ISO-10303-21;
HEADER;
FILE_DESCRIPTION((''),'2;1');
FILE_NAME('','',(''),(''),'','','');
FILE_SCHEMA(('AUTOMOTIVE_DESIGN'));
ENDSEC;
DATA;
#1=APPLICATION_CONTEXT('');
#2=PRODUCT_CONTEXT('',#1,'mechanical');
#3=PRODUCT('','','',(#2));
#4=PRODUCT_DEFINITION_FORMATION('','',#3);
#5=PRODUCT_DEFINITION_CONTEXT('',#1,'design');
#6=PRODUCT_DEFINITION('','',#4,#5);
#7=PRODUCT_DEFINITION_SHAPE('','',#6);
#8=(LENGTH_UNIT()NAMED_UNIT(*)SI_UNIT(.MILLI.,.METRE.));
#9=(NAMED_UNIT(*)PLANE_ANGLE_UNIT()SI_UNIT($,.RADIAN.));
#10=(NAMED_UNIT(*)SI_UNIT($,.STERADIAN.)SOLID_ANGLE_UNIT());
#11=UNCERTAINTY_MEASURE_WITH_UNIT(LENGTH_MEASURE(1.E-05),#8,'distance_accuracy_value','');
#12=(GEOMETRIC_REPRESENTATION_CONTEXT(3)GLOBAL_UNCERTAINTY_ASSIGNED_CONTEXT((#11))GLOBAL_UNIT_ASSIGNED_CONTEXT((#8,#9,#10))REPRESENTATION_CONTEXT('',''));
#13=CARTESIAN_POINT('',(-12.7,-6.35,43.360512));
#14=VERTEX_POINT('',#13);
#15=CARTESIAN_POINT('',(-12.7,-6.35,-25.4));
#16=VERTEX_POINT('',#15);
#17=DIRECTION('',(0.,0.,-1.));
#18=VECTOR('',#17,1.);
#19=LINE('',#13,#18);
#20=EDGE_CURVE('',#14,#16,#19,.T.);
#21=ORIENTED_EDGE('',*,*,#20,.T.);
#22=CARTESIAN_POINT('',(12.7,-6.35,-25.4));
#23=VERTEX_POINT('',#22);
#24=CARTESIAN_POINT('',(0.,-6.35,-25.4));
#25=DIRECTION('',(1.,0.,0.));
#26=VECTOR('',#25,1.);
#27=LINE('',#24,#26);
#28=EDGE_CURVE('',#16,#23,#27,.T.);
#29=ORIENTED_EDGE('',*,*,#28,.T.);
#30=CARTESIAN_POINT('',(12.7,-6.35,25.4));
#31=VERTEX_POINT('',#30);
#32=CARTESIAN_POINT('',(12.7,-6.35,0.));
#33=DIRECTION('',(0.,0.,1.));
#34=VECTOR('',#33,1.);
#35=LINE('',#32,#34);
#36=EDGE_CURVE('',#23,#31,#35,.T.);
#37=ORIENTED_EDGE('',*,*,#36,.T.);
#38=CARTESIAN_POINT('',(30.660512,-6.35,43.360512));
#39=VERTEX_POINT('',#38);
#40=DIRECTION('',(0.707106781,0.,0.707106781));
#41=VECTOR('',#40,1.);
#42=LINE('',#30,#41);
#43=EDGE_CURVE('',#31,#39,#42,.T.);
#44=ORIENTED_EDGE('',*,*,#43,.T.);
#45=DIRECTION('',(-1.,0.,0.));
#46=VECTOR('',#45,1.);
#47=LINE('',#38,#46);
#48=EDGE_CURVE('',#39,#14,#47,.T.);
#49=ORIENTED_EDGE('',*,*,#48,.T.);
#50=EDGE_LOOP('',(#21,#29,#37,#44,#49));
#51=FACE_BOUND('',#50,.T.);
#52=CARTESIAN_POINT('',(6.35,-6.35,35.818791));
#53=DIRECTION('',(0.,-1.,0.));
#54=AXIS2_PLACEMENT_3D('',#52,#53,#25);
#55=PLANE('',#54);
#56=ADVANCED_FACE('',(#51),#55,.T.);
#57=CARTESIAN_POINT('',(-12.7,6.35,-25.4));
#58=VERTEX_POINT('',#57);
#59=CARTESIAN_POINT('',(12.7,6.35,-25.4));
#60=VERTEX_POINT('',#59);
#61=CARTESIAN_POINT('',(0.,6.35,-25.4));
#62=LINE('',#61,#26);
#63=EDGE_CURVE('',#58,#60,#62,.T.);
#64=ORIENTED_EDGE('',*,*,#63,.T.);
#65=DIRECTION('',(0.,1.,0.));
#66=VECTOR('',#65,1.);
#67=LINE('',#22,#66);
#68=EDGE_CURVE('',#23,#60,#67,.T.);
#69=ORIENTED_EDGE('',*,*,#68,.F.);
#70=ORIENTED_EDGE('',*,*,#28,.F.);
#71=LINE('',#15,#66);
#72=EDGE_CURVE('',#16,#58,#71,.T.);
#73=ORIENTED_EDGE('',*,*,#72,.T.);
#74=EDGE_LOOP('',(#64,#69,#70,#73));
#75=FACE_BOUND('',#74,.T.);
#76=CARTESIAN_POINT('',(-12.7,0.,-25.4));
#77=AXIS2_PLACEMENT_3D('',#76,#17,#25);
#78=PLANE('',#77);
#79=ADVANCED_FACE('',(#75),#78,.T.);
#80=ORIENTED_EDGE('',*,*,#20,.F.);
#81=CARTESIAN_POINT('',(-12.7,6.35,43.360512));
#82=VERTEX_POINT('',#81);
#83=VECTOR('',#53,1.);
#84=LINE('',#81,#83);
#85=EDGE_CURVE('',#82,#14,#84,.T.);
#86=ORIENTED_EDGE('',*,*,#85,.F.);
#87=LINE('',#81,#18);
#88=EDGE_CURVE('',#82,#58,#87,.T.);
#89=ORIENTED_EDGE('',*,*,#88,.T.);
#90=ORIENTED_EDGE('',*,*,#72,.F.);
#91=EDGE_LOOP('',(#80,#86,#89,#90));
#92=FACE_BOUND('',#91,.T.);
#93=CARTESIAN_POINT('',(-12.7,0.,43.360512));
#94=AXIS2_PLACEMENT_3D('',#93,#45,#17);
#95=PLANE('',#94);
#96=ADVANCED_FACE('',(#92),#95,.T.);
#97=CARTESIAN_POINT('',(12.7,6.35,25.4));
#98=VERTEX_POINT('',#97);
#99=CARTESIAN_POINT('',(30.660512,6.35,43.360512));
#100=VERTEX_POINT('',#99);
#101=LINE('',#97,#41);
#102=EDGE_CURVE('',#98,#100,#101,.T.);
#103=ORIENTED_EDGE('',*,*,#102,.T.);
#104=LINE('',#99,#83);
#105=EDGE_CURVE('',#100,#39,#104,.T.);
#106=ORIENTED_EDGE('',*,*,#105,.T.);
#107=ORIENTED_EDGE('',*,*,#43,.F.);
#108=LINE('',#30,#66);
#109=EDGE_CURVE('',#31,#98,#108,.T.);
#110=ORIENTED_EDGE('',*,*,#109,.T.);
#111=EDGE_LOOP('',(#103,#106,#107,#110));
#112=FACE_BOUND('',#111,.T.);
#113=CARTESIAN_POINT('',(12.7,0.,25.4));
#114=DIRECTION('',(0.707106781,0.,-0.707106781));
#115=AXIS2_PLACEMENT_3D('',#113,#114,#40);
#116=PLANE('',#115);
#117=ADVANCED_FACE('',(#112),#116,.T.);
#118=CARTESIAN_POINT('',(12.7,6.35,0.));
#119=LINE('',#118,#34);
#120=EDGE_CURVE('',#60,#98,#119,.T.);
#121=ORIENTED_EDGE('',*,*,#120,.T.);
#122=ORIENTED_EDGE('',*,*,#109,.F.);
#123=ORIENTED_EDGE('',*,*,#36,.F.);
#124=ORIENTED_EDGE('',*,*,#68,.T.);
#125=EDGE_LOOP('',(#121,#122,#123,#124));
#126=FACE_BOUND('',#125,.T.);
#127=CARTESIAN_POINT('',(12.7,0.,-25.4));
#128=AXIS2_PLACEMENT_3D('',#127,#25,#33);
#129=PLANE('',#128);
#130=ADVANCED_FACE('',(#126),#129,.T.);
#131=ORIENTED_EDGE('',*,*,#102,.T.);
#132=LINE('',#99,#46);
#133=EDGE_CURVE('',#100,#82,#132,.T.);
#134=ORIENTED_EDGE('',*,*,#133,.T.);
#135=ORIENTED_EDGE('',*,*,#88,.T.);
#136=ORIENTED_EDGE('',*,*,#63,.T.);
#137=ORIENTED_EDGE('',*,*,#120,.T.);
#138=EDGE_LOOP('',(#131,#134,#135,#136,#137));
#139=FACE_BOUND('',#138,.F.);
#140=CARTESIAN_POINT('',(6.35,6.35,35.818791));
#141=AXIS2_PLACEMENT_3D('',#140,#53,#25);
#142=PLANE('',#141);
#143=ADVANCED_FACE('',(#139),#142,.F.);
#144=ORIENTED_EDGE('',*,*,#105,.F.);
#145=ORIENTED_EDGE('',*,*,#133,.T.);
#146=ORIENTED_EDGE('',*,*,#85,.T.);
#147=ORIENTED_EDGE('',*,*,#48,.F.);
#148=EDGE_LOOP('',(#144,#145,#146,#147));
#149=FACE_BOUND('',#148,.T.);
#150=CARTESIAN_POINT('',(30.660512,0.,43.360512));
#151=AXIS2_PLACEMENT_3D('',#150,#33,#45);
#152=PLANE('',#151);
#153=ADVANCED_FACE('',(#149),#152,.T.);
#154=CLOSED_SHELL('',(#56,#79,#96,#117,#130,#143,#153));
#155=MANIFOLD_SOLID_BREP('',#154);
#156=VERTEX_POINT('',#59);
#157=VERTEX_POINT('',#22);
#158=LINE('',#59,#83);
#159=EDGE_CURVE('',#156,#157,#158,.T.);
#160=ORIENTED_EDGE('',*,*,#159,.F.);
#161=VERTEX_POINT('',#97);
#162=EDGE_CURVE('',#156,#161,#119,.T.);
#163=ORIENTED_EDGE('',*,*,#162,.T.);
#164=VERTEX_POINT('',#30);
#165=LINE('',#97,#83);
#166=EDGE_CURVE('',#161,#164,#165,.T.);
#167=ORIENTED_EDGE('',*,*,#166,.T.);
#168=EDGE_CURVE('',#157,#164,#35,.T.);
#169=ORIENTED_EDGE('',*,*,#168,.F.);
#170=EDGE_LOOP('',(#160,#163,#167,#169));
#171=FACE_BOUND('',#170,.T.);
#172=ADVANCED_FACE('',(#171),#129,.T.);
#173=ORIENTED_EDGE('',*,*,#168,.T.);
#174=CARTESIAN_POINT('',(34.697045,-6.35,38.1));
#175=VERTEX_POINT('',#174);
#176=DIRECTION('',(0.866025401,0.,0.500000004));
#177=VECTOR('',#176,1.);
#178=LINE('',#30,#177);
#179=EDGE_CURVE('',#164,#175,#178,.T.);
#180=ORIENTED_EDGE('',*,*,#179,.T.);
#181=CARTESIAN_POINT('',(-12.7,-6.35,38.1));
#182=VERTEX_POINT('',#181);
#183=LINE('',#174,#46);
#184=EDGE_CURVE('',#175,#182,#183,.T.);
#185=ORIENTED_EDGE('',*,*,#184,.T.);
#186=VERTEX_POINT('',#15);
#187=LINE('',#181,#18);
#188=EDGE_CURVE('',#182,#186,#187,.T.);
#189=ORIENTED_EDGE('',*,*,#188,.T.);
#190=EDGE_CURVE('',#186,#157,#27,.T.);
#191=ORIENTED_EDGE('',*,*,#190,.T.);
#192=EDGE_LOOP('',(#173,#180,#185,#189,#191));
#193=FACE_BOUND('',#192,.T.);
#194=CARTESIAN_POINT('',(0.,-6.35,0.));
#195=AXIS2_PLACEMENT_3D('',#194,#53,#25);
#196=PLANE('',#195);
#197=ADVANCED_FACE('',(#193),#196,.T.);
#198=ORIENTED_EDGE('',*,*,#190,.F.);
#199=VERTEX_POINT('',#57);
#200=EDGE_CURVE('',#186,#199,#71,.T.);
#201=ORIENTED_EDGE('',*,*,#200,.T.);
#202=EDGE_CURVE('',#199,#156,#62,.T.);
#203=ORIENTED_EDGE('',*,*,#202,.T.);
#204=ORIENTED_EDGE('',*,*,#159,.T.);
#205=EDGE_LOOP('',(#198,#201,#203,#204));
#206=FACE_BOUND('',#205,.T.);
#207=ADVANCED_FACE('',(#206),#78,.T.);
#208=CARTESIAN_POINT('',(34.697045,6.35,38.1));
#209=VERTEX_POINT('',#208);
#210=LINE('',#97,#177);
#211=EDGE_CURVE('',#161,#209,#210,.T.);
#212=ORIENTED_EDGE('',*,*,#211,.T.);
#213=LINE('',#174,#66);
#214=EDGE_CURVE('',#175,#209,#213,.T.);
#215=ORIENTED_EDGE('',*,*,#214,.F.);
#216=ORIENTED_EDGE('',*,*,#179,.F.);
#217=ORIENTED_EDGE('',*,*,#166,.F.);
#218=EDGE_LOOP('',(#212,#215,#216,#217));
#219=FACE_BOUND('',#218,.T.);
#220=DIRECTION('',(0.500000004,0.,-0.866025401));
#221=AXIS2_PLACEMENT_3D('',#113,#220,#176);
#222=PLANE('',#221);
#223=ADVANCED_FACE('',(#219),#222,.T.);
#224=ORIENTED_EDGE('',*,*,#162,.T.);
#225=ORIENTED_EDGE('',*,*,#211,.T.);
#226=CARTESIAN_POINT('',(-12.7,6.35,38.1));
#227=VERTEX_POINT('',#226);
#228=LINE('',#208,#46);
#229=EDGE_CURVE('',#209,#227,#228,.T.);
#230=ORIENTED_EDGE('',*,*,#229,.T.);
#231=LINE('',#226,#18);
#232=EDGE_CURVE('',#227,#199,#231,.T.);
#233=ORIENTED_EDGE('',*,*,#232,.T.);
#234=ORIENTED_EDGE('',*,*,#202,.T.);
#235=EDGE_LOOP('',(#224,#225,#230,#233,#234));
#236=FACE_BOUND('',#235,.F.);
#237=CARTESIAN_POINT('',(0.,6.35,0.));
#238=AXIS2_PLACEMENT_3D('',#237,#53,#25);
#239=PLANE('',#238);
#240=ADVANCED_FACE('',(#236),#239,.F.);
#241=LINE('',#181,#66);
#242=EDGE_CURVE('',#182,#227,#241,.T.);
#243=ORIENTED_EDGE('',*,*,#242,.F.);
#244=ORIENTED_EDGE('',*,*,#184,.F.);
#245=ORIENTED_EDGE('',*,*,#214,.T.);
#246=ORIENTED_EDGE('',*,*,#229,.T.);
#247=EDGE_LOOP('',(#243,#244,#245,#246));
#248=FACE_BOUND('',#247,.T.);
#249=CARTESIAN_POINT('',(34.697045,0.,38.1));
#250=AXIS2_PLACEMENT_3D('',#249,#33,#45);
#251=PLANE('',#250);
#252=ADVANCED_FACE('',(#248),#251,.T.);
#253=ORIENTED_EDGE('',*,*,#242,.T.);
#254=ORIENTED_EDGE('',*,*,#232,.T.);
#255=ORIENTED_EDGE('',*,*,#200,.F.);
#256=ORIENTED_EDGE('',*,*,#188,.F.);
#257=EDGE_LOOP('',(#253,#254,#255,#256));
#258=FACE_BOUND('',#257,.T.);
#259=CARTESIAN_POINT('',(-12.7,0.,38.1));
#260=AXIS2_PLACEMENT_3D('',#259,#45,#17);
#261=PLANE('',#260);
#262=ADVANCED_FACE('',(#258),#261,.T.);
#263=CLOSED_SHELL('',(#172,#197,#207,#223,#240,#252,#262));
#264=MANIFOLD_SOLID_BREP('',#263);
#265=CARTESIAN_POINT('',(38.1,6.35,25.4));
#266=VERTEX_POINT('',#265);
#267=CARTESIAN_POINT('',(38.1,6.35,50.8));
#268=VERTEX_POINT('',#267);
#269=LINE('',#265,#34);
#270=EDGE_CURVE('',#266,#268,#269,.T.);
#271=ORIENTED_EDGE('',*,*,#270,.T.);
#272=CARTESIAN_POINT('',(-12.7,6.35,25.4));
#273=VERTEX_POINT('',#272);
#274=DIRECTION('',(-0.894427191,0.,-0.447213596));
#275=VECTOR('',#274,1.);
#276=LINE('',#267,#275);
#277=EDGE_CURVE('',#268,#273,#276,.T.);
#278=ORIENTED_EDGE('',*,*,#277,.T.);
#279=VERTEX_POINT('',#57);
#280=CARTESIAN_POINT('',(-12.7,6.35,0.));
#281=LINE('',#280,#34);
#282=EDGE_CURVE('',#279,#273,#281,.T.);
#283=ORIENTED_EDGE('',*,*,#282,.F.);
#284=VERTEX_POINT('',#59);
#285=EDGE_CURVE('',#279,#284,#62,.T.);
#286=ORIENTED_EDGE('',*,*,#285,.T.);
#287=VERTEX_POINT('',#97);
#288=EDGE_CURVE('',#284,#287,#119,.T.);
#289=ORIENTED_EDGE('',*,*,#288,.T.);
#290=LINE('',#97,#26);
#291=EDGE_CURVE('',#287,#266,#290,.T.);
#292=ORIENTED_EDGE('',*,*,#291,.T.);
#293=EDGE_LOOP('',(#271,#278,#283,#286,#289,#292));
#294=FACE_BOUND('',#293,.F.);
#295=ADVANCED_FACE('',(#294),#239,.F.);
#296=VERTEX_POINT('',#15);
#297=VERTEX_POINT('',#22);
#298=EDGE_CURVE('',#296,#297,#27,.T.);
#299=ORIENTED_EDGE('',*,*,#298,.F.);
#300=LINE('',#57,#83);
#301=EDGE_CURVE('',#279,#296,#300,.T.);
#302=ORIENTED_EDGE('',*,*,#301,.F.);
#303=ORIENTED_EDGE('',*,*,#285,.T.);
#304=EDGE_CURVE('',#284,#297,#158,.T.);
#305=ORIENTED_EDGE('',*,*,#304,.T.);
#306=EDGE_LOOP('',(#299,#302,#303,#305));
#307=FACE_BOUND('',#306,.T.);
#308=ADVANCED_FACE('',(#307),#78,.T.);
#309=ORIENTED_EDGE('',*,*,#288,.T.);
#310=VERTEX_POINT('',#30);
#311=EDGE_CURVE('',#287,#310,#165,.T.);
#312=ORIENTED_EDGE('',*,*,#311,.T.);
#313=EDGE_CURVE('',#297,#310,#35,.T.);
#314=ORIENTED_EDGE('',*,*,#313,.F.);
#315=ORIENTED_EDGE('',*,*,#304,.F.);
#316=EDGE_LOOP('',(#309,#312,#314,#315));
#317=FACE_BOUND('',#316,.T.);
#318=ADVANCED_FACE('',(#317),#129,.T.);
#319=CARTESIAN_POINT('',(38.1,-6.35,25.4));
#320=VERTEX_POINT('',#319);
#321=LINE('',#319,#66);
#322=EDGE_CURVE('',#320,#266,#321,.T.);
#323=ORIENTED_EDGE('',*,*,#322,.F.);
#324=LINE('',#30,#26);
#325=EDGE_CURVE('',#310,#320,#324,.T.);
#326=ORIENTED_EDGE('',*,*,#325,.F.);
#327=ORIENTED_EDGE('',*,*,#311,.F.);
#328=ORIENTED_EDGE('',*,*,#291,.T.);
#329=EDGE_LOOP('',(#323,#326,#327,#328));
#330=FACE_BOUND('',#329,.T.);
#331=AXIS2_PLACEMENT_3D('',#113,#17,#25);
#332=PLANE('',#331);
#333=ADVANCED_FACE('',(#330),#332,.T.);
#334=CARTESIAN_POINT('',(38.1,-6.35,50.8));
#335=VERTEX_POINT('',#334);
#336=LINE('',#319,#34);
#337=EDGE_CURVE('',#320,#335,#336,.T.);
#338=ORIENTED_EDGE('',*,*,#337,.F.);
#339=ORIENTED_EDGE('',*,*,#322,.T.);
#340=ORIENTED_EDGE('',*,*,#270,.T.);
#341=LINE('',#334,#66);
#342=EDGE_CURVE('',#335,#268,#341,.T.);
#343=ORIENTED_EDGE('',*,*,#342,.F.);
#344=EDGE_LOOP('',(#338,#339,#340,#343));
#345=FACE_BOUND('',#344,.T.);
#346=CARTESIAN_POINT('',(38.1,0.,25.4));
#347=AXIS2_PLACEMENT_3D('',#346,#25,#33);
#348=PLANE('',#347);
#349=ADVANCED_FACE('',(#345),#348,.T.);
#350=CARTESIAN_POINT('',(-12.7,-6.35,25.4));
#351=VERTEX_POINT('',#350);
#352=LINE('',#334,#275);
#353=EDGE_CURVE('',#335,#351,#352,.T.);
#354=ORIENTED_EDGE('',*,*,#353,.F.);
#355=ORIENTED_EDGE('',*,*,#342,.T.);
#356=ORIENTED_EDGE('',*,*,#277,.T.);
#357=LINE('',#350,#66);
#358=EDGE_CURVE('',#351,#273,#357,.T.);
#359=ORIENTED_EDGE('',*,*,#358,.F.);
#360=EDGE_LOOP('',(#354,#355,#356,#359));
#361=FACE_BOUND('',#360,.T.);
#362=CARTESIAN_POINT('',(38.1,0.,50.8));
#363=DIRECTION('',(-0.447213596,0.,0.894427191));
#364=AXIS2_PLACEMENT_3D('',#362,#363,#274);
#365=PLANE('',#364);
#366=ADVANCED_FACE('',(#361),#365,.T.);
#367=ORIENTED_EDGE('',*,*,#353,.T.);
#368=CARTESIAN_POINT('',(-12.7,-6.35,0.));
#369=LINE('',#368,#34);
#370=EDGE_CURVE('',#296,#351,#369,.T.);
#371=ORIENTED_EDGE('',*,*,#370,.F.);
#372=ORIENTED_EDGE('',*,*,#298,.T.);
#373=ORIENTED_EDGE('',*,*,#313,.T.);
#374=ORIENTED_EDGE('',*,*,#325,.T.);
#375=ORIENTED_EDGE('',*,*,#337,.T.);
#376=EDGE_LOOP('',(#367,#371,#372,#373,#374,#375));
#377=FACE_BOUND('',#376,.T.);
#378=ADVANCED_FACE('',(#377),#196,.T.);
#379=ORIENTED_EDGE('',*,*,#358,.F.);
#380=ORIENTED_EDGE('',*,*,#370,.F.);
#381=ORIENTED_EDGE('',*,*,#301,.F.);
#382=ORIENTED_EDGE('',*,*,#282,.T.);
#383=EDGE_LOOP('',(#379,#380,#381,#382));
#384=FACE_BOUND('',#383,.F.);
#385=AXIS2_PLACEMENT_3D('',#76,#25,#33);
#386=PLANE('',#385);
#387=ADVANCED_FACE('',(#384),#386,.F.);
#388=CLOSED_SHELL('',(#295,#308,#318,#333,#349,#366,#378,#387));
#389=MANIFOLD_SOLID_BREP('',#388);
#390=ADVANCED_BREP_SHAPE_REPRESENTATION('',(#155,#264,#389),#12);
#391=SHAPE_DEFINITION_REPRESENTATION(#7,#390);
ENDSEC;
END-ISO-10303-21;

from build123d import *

# Parameters (mm, degrees)
F0_W     = 25.4
F0_H     = 50.8
F1_DEPTH = 6.35
F2_W     = 25.4
F2_H     = 50.8
F3_DEPTH = 6.35
F4_W     = 25.4
F4_H     = 50.8
F5_DEPTH = 6.35


with BuildPart() as f1:
    # F0 (on Front) → F1 (new body, symmetric)
    with BuildSketch(Plane.XZ):
        Rectangle(F0_W, F0_H)
        Polygon((-12.7, 25.4), (12.7, 25.4), (38.1, 25.4), (38.1, 50.8), align=None)
    extrude(amount=F1_DEPTH, both=True)


with BuildPart() as f3:
    # F2 (on Front) → F3 (new body, symmetric)
    with BuildSketch(Plane.XZ):
        Rectangle(F2_W, F2_H)
        Polygon((-12.7, 25.4), (12.7, 25.4), (34.697045, 38.1), (-12.7, 38.1), align=None)
    extrude(amount=F3_DEPTH, both=True)


with BuildPart() as f5:
    # F4 (on Front) → F5 (new body, symmetric)
    with BuildSketch(Plane.XZ):
        Polygon((-12.7, 25.4), (12.7, 25.4), (30.660512, 43.360512), (-12.7, 43.360512), align=None)
        Rectangle(F4_W, F4_H)
    extrude(amount=F5_DEPTH, both=True)


solid = Compound([f1.part, f3.part, f5.part])
